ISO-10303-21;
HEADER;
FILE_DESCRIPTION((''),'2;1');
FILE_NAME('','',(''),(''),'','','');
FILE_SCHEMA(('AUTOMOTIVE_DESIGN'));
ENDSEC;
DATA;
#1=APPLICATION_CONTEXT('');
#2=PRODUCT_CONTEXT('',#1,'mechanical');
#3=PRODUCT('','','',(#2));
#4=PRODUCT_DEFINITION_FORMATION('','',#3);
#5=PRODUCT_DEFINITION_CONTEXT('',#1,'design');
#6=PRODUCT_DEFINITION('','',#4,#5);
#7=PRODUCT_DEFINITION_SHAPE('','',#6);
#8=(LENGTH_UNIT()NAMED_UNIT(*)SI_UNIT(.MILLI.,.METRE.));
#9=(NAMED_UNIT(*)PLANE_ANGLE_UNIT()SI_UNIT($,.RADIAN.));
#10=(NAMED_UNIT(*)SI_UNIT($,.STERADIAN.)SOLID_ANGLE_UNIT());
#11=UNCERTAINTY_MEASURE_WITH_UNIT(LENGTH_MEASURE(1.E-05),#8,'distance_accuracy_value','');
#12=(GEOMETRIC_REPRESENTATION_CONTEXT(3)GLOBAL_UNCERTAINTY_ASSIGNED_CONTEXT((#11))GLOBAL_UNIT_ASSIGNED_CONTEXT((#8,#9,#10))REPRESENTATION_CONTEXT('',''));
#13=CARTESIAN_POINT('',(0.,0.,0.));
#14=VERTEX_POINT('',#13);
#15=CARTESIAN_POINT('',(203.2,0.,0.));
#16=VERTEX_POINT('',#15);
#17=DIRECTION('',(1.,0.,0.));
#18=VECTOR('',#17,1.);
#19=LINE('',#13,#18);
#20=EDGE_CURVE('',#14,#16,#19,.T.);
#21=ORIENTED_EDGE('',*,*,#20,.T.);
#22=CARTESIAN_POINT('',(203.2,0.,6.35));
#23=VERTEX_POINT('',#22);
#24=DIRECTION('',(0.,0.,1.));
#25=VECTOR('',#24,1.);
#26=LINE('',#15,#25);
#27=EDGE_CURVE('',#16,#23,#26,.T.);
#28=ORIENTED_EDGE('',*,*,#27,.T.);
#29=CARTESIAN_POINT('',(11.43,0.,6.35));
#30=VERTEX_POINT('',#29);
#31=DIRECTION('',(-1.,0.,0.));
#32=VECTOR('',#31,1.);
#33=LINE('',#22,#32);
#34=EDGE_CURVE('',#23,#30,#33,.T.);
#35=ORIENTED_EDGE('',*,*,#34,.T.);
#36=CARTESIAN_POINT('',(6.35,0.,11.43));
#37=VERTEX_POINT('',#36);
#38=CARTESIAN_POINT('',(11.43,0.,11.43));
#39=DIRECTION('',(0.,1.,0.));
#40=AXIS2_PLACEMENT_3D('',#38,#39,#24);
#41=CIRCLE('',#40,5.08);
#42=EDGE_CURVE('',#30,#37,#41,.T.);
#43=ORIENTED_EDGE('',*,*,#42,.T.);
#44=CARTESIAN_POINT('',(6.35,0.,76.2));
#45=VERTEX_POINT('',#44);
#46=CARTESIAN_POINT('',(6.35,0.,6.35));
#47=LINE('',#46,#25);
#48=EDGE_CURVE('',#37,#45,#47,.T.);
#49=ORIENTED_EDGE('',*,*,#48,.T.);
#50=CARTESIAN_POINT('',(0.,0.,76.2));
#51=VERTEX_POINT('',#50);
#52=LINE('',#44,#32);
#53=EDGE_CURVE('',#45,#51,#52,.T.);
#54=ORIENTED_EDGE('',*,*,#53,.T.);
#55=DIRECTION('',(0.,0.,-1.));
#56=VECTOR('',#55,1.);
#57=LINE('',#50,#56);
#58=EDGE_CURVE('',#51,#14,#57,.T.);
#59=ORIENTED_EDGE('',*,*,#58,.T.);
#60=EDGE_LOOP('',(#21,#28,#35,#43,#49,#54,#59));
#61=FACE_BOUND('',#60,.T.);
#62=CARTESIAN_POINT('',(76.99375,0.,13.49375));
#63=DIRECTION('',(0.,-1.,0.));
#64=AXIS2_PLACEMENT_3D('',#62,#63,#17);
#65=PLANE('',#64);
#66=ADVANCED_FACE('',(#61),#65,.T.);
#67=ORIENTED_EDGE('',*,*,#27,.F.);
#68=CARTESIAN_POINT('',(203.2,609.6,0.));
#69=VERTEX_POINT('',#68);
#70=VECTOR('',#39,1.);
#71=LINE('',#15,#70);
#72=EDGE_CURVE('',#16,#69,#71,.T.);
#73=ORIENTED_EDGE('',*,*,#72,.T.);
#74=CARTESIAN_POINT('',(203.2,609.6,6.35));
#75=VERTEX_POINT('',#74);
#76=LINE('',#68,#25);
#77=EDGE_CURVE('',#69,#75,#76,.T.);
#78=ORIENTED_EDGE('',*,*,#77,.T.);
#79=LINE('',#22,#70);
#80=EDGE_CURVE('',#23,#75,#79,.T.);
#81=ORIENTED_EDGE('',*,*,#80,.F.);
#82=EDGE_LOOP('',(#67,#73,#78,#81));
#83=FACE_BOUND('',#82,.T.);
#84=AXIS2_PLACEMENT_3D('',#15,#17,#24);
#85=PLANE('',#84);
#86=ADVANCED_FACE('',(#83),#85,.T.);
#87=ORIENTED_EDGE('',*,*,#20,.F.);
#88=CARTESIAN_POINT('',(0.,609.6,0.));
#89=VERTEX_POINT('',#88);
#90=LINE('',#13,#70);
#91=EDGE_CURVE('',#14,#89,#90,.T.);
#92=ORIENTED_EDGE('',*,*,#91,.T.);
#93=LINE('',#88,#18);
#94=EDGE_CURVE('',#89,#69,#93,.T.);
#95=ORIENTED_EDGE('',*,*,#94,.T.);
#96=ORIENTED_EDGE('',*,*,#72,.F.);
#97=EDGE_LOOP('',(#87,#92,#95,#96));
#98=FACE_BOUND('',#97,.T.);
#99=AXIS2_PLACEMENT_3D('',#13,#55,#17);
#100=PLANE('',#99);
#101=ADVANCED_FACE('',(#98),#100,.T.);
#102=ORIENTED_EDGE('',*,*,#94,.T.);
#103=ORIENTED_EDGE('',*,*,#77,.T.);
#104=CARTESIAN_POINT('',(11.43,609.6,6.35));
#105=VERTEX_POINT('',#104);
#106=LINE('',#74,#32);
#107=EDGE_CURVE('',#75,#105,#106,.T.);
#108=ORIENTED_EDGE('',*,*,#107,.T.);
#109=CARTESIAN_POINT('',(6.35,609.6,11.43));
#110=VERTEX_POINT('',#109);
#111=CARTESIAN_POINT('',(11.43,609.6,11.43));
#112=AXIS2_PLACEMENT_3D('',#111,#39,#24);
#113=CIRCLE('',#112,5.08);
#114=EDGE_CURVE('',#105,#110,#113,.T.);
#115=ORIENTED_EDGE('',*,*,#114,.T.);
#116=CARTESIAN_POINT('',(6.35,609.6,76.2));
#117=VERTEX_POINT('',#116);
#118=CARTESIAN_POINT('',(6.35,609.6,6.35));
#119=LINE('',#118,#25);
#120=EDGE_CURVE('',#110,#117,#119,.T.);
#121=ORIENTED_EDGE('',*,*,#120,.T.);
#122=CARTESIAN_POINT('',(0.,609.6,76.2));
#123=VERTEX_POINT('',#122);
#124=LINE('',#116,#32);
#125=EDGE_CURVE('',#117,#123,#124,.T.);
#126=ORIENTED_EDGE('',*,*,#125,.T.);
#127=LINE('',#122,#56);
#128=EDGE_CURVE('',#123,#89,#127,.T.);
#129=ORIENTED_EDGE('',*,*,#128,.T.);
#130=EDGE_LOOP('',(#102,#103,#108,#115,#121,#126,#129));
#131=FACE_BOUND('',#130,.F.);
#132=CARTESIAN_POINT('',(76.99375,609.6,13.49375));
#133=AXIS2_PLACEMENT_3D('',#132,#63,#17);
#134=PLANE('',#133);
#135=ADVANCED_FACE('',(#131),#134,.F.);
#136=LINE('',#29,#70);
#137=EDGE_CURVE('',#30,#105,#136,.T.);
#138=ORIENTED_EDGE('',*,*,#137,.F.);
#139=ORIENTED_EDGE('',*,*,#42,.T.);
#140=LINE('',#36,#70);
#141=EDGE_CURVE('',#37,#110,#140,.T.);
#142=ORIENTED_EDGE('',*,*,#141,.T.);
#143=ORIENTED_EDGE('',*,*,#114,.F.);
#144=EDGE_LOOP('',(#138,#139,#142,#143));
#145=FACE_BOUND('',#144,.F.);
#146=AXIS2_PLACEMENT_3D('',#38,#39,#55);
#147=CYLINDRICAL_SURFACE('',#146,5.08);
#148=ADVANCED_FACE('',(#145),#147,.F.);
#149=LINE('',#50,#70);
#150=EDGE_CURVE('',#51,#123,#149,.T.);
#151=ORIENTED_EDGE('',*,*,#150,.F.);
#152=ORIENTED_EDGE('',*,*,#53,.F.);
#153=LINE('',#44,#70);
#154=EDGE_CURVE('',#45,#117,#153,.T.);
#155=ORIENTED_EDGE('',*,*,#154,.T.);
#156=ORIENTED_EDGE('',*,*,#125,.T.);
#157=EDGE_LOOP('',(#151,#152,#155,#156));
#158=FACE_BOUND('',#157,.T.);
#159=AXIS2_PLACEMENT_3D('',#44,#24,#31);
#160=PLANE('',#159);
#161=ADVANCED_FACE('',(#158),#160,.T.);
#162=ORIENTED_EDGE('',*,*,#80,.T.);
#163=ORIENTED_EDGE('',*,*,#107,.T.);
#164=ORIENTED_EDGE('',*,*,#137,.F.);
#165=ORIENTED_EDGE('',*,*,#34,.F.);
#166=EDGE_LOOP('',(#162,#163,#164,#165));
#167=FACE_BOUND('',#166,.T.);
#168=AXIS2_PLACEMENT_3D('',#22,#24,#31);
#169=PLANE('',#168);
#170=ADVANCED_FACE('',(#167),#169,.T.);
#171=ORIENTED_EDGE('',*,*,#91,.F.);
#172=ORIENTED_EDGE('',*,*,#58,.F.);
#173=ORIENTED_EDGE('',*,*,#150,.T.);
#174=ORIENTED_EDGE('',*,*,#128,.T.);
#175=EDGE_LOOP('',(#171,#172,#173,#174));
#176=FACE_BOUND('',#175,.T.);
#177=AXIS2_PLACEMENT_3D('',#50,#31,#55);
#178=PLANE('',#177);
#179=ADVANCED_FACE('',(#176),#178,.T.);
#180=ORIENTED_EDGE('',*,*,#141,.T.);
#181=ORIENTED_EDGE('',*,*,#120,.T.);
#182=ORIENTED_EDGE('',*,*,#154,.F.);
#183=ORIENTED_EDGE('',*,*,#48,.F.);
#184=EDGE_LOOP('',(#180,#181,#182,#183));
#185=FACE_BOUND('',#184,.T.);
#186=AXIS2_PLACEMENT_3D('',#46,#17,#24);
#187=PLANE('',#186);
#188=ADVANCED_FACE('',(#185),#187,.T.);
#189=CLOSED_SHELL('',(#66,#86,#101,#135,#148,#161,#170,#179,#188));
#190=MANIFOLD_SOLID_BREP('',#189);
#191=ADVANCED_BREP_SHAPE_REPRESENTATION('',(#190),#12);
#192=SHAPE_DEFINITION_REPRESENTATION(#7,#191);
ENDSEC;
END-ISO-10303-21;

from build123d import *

# Parameters (mm, degrees)
F1_DEPTH = 609.6
F2_R     = 5.08


with BuildPart() as f1:
    # F0 (on Front) → F1 (new body)
    with BuildSketch(Plane.XZ):
        Polygon((0, 76.2), (0, 0), (203.2, 0), (203.2, 6.35), (6.35, 6.35), (6.35, 76.2), align=None)
    extrude(amount=-F1_DEPTH)

    # F2
    f2_edges = [f1.edges().sort_by_distance(p)[0] for p in [
        (6.35, 304.8, 6.35),
    ]]
    fillet(f2_edges, radius=F2_R)


solid = f1.part
